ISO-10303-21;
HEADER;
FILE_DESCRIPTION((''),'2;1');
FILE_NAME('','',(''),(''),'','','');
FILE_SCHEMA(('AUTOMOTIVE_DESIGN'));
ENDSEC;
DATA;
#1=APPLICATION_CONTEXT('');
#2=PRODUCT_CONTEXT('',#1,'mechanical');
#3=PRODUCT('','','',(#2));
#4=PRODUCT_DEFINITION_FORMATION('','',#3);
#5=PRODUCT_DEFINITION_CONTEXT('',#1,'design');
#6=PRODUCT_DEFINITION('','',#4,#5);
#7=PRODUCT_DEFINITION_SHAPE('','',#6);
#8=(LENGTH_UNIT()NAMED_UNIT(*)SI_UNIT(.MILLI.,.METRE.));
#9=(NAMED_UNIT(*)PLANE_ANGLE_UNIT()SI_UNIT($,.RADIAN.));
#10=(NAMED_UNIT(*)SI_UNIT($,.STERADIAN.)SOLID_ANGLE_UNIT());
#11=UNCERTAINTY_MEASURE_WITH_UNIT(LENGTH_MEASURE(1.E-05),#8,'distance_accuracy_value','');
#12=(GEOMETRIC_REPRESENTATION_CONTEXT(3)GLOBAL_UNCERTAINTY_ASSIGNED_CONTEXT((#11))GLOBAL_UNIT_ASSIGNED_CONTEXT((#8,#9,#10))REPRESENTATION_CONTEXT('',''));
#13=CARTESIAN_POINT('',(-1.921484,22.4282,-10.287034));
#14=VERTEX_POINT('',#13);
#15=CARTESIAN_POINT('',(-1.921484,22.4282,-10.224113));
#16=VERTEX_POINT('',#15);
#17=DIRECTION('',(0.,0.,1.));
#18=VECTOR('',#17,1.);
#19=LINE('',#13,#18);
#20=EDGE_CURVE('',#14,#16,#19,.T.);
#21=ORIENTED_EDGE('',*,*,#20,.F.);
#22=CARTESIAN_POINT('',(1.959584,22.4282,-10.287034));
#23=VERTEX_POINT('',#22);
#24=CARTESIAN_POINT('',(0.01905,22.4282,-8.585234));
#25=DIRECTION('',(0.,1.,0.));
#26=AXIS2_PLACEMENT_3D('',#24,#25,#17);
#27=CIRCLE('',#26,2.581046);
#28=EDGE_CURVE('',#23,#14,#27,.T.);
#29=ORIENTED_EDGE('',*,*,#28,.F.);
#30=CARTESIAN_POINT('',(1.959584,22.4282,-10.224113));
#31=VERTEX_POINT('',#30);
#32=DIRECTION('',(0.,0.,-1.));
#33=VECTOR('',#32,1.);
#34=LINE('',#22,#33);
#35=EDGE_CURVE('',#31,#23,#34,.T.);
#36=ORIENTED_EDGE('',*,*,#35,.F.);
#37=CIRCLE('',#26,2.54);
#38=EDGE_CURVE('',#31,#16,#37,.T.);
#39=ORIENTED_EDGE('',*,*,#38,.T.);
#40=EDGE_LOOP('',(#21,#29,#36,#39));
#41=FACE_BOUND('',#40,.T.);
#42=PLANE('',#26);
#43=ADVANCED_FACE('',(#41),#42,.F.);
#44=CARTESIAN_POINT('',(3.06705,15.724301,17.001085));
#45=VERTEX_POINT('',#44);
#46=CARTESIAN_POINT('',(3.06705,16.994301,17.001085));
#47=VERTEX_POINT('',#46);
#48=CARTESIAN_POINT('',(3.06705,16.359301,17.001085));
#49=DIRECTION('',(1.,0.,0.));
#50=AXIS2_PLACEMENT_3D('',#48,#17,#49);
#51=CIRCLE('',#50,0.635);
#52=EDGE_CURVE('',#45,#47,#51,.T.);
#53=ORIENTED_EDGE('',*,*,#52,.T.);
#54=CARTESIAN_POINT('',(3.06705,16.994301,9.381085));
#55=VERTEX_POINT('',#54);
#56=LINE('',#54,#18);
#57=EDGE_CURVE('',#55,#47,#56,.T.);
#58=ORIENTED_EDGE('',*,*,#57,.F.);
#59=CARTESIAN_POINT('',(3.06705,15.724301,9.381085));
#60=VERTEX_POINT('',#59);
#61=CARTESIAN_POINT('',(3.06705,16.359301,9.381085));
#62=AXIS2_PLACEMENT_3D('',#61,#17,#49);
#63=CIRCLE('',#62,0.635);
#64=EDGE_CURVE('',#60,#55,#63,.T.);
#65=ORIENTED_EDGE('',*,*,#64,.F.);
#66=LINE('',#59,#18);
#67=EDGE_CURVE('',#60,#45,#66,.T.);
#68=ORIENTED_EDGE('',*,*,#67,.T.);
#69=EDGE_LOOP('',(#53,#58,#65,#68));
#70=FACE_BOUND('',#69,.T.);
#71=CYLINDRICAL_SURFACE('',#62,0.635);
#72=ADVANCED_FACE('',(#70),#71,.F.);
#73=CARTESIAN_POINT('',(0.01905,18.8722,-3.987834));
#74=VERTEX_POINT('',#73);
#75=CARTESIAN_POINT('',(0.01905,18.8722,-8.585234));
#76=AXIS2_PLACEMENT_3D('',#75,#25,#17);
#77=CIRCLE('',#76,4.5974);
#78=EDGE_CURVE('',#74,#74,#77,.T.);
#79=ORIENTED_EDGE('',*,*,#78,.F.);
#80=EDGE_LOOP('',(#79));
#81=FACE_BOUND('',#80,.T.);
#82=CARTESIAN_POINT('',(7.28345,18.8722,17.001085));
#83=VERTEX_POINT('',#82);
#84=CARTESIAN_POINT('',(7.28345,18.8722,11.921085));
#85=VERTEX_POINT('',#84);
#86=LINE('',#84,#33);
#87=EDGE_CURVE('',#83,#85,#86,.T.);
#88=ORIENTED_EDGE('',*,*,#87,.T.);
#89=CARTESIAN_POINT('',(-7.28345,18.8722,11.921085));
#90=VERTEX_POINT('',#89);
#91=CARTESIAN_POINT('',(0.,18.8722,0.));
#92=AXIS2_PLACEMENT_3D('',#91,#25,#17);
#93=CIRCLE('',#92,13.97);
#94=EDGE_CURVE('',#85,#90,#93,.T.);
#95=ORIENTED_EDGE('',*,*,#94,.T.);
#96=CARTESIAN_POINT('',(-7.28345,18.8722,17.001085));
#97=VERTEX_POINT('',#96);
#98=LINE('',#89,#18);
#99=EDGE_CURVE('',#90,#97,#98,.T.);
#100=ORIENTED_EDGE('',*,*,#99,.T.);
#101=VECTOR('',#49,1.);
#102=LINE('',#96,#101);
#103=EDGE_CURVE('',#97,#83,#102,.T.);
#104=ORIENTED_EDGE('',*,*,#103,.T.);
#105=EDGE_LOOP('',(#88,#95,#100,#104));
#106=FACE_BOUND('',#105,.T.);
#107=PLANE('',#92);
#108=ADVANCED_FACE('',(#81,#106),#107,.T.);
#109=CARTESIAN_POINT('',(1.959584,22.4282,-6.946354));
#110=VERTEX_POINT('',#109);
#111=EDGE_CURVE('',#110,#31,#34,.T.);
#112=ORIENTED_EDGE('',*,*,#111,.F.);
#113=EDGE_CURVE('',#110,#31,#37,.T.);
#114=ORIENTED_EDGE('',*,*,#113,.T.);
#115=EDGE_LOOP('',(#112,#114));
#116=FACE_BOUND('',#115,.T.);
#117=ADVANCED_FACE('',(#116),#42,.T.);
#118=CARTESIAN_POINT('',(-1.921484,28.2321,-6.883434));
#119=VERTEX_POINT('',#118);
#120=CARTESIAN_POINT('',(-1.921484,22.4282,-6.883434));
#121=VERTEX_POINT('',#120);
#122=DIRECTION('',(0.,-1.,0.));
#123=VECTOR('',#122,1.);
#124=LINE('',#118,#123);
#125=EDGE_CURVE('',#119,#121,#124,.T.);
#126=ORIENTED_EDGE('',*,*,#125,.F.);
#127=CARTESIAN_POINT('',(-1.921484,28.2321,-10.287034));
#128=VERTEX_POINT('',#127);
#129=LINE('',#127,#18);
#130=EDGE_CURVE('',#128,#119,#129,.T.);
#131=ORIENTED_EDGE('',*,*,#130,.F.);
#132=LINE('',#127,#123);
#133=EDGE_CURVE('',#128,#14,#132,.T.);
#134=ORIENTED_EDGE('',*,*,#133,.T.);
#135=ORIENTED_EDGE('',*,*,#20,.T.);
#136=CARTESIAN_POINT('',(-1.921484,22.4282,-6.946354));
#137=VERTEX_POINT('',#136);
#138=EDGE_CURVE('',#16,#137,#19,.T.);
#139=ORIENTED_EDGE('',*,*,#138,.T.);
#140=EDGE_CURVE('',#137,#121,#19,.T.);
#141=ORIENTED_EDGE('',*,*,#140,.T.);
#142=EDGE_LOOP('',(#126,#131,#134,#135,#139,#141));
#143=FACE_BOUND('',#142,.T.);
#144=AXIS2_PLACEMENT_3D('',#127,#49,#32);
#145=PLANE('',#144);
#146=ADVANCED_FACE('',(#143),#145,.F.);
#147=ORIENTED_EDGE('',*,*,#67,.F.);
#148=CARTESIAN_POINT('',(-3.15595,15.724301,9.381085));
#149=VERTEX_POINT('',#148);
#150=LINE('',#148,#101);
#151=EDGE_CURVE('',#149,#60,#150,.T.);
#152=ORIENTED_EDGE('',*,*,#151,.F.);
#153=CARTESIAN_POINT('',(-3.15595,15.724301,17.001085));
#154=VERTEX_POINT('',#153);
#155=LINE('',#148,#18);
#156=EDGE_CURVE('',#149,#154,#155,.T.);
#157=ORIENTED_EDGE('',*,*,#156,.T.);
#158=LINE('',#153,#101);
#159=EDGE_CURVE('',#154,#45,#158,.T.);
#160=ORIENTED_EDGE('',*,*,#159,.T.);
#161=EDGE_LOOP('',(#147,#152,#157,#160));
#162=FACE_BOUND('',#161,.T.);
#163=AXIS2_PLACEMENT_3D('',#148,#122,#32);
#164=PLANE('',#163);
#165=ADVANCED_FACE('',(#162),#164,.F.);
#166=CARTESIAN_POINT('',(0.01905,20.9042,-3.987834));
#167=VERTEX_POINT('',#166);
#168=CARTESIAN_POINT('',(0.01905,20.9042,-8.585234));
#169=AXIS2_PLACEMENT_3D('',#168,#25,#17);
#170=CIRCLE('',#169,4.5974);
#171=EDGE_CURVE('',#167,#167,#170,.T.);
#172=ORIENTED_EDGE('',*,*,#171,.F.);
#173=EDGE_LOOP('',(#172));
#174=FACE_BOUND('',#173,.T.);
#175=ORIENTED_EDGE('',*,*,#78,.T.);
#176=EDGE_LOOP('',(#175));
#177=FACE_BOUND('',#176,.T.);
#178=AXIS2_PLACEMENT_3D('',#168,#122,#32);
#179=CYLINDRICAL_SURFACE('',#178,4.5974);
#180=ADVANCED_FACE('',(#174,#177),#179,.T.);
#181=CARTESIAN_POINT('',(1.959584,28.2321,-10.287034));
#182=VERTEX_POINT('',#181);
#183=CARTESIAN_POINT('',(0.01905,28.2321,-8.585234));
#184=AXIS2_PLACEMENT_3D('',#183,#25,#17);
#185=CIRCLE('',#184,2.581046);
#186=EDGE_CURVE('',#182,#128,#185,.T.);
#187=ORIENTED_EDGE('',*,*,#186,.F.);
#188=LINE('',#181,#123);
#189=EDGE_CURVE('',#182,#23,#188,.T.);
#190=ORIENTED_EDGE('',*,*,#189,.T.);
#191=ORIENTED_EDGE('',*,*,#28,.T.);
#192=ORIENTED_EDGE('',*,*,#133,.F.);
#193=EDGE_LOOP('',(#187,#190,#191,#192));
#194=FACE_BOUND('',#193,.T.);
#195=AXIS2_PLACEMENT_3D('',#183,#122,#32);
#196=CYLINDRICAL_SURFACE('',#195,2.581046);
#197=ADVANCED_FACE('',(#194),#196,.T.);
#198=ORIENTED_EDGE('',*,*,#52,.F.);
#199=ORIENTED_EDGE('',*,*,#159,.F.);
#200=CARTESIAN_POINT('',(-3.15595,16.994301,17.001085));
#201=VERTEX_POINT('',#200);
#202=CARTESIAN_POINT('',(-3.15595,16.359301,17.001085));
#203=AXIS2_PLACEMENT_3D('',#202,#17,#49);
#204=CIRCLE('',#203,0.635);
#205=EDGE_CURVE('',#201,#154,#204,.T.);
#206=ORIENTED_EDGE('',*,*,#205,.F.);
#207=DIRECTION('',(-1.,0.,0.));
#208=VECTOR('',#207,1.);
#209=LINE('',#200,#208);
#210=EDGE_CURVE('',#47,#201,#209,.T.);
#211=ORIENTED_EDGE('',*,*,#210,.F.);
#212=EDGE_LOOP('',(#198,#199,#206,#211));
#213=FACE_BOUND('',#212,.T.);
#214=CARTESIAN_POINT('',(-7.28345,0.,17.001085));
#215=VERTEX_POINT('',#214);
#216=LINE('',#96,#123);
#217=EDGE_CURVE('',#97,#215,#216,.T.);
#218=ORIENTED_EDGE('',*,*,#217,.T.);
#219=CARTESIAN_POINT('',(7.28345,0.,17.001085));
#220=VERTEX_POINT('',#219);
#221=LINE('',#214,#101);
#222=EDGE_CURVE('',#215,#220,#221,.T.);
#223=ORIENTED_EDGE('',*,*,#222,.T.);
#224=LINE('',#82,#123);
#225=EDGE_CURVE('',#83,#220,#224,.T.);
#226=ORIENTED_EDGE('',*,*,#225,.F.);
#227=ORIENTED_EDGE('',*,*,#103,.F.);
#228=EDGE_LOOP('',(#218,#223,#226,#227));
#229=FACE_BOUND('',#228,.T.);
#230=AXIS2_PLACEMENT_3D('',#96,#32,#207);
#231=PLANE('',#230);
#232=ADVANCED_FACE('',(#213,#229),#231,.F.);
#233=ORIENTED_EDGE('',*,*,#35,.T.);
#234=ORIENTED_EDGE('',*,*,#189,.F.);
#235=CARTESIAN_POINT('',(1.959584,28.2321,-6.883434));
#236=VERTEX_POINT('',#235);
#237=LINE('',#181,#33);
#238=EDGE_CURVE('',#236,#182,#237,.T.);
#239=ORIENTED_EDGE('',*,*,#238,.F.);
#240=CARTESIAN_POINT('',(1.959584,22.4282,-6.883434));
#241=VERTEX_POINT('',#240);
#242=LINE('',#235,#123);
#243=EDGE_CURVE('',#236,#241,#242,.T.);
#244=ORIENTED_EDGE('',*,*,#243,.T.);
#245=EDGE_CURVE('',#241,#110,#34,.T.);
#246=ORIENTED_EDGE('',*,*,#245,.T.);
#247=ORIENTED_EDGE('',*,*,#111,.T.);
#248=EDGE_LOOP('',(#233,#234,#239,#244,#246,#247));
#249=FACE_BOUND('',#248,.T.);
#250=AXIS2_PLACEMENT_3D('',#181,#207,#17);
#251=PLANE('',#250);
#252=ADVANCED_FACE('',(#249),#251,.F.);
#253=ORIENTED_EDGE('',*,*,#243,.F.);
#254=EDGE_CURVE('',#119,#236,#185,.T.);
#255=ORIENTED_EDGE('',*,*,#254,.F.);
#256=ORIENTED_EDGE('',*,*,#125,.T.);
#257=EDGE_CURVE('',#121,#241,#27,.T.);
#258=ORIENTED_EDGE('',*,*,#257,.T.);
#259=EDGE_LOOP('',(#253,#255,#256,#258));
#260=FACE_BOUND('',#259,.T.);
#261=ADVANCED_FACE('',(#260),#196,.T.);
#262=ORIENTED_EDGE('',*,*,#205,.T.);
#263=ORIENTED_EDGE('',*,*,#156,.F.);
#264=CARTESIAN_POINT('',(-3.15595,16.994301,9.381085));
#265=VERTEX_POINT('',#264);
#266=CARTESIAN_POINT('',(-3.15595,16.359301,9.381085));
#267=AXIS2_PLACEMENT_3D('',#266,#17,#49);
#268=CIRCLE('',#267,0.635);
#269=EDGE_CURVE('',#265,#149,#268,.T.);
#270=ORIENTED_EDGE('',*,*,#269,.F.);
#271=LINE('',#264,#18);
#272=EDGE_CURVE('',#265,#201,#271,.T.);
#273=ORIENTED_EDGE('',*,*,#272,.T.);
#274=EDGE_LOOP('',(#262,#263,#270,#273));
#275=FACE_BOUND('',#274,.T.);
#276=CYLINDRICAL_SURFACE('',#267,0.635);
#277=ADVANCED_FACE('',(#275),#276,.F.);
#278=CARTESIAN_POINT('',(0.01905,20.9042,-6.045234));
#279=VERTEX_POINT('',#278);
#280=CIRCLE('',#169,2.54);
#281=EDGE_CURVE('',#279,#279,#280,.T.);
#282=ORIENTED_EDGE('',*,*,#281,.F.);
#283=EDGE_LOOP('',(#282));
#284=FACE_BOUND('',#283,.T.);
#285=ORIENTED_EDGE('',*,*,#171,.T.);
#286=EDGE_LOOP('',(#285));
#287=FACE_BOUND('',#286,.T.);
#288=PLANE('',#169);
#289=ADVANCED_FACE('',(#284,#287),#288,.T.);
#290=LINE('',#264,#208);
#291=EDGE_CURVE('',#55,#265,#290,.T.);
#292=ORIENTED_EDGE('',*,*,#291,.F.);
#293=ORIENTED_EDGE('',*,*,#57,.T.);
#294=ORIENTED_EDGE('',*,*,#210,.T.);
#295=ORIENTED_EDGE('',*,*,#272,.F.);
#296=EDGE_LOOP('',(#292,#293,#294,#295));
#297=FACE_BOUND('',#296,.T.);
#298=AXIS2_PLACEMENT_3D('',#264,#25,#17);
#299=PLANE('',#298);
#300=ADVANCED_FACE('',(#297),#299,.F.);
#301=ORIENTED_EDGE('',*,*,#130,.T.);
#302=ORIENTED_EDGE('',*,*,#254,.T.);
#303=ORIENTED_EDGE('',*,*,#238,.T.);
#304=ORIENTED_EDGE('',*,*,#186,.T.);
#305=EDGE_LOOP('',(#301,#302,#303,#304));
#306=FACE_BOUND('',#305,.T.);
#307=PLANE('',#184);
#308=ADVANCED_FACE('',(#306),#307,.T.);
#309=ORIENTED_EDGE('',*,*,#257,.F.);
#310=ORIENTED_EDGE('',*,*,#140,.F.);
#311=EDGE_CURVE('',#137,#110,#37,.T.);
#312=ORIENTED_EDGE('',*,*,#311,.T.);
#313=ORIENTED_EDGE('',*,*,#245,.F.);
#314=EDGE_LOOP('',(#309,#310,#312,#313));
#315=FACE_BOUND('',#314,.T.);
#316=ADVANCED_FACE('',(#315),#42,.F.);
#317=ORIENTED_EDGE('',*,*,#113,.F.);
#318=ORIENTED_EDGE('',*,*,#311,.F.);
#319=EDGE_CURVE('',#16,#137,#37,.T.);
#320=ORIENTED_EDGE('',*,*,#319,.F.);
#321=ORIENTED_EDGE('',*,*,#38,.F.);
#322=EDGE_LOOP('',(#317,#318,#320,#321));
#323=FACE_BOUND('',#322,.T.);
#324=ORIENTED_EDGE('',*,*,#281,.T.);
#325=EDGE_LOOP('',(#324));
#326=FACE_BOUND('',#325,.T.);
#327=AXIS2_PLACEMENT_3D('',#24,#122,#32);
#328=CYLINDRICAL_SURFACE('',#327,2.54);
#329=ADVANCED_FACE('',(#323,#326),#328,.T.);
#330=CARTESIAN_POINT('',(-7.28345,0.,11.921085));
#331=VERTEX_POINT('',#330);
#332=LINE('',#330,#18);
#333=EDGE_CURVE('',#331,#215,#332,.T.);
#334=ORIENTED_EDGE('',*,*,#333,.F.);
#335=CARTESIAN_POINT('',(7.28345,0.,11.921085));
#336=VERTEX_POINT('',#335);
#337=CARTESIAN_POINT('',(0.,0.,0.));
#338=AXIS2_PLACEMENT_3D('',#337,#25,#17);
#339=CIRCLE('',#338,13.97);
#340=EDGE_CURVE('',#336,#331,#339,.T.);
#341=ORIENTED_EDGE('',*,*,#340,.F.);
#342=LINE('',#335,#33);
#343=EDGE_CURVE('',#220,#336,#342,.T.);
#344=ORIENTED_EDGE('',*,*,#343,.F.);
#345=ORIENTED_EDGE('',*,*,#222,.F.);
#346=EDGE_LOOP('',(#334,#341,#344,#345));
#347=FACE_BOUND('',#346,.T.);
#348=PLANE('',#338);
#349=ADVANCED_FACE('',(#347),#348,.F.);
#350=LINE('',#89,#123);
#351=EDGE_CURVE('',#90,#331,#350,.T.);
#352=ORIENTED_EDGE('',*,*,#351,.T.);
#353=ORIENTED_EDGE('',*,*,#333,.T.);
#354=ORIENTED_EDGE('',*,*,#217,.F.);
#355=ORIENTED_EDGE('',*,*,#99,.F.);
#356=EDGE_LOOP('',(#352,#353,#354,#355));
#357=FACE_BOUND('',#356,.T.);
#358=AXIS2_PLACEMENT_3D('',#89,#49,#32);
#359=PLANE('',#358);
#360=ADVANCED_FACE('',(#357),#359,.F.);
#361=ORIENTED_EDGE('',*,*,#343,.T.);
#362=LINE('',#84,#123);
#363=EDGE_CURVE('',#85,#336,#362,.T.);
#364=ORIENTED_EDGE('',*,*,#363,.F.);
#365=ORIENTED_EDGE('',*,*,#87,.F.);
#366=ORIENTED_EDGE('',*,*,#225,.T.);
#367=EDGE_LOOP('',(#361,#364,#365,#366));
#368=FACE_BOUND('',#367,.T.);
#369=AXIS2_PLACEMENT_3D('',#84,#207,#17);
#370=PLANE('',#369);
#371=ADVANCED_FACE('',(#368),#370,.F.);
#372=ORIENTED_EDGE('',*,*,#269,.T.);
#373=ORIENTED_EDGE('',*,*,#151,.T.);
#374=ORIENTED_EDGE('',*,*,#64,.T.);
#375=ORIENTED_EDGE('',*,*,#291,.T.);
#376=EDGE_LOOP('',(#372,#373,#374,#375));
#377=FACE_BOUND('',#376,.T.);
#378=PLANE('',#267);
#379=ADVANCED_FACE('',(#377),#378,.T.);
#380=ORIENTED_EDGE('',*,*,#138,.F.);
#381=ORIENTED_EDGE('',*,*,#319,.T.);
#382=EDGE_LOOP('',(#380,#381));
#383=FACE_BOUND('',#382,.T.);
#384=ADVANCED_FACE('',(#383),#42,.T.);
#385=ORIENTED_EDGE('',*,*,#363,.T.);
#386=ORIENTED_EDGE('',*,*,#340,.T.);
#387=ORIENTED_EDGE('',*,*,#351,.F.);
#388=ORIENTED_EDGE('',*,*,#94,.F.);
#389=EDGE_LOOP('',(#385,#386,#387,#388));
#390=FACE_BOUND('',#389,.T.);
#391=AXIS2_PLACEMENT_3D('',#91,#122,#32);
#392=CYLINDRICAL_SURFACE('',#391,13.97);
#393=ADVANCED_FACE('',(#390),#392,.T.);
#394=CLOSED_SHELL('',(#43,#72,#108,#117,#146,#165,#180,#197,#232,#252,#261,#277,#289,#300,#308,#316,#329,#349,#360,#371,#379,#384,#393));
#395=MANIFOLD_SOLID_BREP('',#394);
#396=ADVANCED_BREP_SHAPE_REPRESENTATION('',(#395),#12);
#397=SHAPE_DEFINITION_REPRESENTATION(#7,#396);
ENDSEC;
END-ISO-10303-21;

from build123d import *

# Parameters (mm, degrees)
BOSS_EXTRUDE1_DEPTH = 18.8722
SKETCH3_R           = 4.5974
SKETCH3_R_2         = 2.54
BOSS_EXTRUDE2_DEPTH = 2.032
SKETCH3_2_R         = 4.5974
SKETCH3_2_R_2       = 2.54
BOSS_EXTRUDE3_DEPTH = 2.032
SKETCH4_R           = 2.54
BOSS_EXTRUDE4_DEPTH = 3.556
BOSS_EXTRUDE5_DEPTH = 5.8039
CUT_EXTRUDE1_DEPTH  = 7.62


with BuildPart() as part:
    # Sketch1 → Boss-Extrude1 (new body)
    with BuildSketch(Plane(origin=(0, 0, 0), x_dir=(1, 0, 0), z_dir=(0, 1, 0))):
        with BuildLine():
            Line((-7.28345, -11.921084519), (-7.28345, -17.001084519))
            Line((-7.28345, -17.001084519), (7.28345, -17.001084519))
            Line((7.28345, -17.001084519), (7.28345, -11.921084519))
            ThreePointArc((7.28345, -11.921084519), (0, 13.97), (-7.28345, -11.921084519))
        make_face()
    extrude(amount=BOSS_EXTRUDE1_DEPTH)

    # Sketch3 → Boss-Extrude2 (add)
    with BuildSketch(Plane(origin=(0, 18.8722, 0), x_dir=(1, 0, 0), z_dir=(0, 1, 0))):
        with Locations((0.01905, 8.585233697)):
            Circle(SKETCH3_R)
        with Locations((0.01905, 8.585233697)):
            Circle(SKETCH3_R_2, mode=Mode.SUBTRACT)
    extrude(amount=BOSS_EXTRUDE2_DEPTH)

    # Sketch3<2> → Boss-Extrude3 (add)
    with BuildSketch(Plane(origin=(0, 18.8722, 0), x_dir=(1, 0, 0), z_dir=(0, 1, 0))):
        with Locations((0.01905, 8.585233697)):
            Circle(SKETCH3_2_R)
        with Locations((0.01905, 8.585233697)):
            Circle(SKETCH3_2_R_2, mode=Mode.SUBTRACT)
    extrude(amount=BOSS_EXTRUDE3_DEPTH)

    # Sketch4 → Boss-Extrude4 (add)
    with BuildSketch(Plane(origin=(0, 18.8722, 0), x_dir=(1, 0, 0), z_dir=(0, 1, 0))):
        with Locations((0.01905, 8.585233697)):
            Circle(SKETCH4_R)
    extrude(amount=BOSS_EXTRUDE4_DEPTH)

    # Sketch5 → Boss-Extrude5 (add)
    with BuildSketch(Plane(origin=(0, 22.4282, 0), x_dir=(1, 0, 0), z_dir=(0, 1, 0))):
        with BuildLine():
            Line((-1.921484266, 10.287033697), (-1.921484266, 6.883433697))
            ThreePointArc((-1.921484266, 6.883433697), (0.01905, 6.00418808), (1.959584266, 6.883433697))
            Line((1.959584266, 6.883433697), (1.959584266, 10.287033697))
            ThreePointArc((1.959584266, 10.287033697), (0.01905, 11.166279314), (-1.921484266, 10.287033697))
        make_face()
    extrude(amount=BOSS_EXTRUDE5_DEPTH)

    # Sketch6 → Cut-Extrude1 (cut)
    with BuildSketch(Plane.XY.offset(17.001084519)):
        with BuildLine():
            Line((-3.15595, 16.994300905), (3.06705, 16.994300905))
            ThreePointArc((3.06705, 16.994300905), (3.70205, 16.359300905), (3.06705, 15.724300905))
            Line((3.06705, 15.724300905), (-3.15595, 15.724300905))
            ThreePointArc((-3.15595, 15.724300905), (-3.79095, 16.359300905), (-3.15595, 16.994300905))
        make_face()
    extrude(amount=-CUT_EXTRUDE1_DEPTH, mode=Mode.SUBTRACT)


solid = part.part
